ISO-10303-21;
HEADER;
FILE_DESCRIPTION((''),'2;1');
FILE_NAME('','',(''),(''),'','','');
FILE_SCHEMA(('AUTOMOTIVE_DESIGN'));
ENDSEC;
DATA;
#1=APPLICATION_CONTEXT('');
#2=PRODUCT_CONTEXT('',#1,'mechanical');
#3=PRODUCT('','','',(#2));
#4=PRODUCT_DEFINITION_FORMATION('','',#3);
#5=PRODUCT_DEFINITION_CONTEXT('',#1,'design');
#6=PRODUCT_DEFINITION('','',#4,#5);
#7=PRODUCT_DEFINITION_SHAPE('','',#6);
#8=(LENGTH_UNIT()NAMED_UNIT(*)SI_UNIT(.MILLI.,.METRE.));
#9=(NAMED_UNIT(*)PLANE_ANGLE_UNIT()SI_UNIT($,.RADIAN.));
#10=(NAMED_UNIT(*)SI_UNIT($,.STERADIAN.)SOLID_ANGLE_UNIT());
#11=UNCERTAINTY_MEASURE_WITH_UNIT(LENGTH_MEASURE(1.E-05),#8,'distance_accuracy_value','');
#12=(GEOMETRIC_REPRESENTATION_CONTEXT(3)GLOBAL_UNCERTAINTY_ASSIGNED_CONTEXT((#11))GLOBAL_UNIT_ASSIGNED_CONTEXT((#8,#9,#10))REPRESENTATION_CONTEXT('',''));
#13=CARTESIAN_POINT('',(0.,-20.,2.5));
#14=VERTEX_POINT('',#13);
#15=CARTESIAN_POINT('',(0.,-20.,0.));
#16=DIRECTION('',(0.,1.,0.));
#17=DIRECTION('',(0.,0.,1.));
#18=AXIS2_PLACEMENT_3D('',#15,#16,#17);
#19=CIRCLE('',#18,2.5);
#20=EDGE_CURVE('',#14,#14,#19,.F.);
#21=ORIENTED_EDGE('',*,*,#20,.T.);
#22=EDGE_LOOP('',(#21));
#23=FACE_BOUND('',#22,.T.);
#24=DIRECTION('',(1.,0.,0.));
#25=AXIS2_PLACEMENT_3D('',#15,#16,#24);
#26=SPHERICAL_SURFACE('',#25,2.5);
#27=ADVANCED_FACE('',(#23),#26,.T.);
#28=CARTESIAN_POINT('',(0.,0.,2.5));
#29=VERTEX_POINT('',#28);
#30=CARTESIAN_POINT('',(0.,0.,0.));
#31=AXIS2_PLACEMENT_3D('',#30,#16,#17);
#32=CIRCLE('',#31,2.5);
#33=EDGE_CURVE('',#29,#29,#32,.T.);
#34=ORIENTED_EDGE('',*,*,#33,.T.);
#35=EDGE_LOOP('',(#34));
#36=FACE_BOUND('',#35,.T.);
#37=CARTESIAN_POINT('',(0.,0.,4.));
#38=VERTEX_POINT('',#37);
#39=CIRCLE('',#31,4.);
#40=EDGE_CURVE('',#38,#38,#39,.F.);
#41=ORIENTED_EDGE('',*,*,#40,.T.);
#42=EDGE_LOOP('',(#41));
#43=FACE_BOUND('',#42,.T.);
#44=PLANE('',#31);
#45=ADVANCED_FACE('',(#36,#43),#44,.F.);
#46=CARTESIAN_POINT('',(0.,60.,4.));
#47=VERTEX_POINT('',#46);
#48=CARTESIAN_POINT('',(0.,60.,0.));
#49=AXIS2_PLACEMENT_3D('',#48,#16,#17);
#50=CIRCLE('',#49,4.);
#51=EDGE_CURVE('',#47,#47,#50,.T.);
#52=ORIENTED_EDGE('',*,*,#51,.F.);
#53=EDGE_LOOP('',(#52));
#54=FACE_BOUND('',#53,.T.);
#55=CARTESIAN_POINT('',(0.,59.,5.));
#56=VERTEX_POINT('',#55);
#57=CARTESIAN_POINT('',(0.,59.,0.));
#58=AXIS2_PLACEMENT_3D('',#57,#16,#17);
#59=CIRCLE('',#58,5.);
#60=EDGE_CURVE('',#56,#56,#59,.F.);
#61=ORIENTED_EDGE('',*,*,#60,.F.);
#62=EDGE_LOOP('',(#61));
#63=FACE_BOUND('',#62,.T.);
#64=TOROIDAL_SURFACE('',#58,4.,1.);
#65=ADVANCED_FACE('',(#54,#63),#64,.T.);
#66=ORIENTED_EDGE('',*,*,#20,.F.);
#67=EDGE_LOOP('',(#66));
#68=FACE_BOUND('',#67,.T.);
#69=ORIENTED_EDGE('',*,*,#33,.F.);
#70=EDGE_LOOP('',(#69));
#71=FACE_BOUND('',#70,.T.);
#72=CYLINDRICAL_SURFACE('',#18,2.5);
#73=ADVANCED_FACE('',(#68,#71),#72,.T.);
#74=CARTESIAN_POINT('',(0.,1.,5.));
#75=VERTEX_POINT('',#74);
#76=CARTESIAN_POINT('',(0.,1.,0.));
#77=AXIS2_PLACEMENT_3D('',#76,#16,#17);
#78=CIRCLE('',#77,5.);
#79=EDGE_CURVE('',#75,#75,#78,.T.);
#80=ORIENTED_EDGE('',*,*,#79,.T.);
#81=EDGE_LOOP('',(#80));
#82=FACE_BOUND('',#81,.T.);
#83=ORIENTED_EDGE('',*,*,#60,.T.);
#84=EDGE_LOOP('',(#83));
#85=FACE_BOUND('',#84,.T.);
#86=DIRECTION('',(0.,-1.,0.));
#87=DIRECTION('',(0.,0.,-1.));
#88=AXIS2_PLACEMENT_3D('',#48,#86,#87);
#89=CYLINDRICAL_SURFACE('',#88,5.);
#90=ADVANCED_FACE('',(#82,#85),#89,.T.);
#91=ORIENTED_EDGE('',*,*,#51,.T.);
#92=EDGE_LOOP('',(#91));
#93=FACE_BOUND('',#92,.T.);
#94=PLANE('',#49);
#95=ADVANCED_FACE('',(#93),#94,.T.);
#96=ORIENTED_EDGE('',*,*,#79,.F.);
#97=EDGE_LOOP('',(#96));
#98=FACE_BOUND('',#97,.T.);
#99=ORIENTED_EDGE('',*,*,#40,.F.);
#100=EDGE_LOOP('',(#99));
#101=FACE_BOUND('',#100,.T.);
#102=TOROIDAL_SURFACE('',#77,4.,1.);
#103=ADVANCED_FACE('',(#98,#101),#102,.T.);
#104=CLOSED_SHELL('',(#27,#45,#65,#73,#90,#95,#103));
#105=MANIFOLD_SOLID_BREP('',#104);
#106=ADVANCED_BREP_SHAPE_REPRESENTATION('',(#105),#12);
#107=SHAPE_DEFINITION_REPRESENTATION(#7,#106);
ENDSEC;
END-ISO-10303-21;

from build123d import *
from build123d.topology import SkipClean

# Parameters (mm, degrees)
SKETCH_1_R      = 5
EXTRUDE_1_DEPTH = 60
SKETCH_2_R      = 2.5
EXTRUDE_2_DEPTH = 20
FILLET_1_R      = 1


with BuildPart() as part:
    # 草图1 → 凸台-拉伸1 (new body)
    with BuildSketch(Plane(origin=(0, 0, 0), x_dir=(1, 0, 0), z_dir=(0, 1, 0))):
        with Locations(Location((0, 0, 0), (0, 0, 270))):
            Circle(SKETCH_1_R)
    extrude(amount=EXTRUDE_1_DEPTH)

    # 草图2 → 凸台-拉伸2 (add)
    with BuildSketch(Plane(origin=(0, 0, 0), x_dir=(1, 0, 0), z_dir=(0, 1, 0))):
        with Locations(Location((0, 0, 0), (0, 0, 270))):
            Circle(SKETCH_2_R)
    extrude(amount=-EXTRUDE_2_DEPTH)

    # 草图3 → 旋转1 (revolve)
    with SkipClean():  # the faces are left unmerged after this step: merging them gives an invalid solid
        with BuildSketch(Plane.XY):
            with BuildLine():
                ThreePointArc((2.5, -20), (1.767766953, -18.232233047), (0, -17.5))
                Line((0, -17.5), (0, -22.5))
                ThreePointArc((0, -22.5), (1.767766953, -21.767766953), (2.5, -20))
            make_face()
            with BuildLine():
                Line((0, -22.5), (0, -17.5))
                ThreePointArc((0, -17.5), (-2.5, -20), (0, -22.5))
            make_face()
        revolve(axis=Axis((0, -17.5, 0), (0, -1, 0)))

    # 圆角1
    fillet_1_edges = [part.edges().sort_by_distance(p)[0] for p in [
        (0, 0, -5),
        (0, 60, -5),
    ]]
    fillet(fillet_1_edges, radius=FILLET_1_R)


solid = part.part
